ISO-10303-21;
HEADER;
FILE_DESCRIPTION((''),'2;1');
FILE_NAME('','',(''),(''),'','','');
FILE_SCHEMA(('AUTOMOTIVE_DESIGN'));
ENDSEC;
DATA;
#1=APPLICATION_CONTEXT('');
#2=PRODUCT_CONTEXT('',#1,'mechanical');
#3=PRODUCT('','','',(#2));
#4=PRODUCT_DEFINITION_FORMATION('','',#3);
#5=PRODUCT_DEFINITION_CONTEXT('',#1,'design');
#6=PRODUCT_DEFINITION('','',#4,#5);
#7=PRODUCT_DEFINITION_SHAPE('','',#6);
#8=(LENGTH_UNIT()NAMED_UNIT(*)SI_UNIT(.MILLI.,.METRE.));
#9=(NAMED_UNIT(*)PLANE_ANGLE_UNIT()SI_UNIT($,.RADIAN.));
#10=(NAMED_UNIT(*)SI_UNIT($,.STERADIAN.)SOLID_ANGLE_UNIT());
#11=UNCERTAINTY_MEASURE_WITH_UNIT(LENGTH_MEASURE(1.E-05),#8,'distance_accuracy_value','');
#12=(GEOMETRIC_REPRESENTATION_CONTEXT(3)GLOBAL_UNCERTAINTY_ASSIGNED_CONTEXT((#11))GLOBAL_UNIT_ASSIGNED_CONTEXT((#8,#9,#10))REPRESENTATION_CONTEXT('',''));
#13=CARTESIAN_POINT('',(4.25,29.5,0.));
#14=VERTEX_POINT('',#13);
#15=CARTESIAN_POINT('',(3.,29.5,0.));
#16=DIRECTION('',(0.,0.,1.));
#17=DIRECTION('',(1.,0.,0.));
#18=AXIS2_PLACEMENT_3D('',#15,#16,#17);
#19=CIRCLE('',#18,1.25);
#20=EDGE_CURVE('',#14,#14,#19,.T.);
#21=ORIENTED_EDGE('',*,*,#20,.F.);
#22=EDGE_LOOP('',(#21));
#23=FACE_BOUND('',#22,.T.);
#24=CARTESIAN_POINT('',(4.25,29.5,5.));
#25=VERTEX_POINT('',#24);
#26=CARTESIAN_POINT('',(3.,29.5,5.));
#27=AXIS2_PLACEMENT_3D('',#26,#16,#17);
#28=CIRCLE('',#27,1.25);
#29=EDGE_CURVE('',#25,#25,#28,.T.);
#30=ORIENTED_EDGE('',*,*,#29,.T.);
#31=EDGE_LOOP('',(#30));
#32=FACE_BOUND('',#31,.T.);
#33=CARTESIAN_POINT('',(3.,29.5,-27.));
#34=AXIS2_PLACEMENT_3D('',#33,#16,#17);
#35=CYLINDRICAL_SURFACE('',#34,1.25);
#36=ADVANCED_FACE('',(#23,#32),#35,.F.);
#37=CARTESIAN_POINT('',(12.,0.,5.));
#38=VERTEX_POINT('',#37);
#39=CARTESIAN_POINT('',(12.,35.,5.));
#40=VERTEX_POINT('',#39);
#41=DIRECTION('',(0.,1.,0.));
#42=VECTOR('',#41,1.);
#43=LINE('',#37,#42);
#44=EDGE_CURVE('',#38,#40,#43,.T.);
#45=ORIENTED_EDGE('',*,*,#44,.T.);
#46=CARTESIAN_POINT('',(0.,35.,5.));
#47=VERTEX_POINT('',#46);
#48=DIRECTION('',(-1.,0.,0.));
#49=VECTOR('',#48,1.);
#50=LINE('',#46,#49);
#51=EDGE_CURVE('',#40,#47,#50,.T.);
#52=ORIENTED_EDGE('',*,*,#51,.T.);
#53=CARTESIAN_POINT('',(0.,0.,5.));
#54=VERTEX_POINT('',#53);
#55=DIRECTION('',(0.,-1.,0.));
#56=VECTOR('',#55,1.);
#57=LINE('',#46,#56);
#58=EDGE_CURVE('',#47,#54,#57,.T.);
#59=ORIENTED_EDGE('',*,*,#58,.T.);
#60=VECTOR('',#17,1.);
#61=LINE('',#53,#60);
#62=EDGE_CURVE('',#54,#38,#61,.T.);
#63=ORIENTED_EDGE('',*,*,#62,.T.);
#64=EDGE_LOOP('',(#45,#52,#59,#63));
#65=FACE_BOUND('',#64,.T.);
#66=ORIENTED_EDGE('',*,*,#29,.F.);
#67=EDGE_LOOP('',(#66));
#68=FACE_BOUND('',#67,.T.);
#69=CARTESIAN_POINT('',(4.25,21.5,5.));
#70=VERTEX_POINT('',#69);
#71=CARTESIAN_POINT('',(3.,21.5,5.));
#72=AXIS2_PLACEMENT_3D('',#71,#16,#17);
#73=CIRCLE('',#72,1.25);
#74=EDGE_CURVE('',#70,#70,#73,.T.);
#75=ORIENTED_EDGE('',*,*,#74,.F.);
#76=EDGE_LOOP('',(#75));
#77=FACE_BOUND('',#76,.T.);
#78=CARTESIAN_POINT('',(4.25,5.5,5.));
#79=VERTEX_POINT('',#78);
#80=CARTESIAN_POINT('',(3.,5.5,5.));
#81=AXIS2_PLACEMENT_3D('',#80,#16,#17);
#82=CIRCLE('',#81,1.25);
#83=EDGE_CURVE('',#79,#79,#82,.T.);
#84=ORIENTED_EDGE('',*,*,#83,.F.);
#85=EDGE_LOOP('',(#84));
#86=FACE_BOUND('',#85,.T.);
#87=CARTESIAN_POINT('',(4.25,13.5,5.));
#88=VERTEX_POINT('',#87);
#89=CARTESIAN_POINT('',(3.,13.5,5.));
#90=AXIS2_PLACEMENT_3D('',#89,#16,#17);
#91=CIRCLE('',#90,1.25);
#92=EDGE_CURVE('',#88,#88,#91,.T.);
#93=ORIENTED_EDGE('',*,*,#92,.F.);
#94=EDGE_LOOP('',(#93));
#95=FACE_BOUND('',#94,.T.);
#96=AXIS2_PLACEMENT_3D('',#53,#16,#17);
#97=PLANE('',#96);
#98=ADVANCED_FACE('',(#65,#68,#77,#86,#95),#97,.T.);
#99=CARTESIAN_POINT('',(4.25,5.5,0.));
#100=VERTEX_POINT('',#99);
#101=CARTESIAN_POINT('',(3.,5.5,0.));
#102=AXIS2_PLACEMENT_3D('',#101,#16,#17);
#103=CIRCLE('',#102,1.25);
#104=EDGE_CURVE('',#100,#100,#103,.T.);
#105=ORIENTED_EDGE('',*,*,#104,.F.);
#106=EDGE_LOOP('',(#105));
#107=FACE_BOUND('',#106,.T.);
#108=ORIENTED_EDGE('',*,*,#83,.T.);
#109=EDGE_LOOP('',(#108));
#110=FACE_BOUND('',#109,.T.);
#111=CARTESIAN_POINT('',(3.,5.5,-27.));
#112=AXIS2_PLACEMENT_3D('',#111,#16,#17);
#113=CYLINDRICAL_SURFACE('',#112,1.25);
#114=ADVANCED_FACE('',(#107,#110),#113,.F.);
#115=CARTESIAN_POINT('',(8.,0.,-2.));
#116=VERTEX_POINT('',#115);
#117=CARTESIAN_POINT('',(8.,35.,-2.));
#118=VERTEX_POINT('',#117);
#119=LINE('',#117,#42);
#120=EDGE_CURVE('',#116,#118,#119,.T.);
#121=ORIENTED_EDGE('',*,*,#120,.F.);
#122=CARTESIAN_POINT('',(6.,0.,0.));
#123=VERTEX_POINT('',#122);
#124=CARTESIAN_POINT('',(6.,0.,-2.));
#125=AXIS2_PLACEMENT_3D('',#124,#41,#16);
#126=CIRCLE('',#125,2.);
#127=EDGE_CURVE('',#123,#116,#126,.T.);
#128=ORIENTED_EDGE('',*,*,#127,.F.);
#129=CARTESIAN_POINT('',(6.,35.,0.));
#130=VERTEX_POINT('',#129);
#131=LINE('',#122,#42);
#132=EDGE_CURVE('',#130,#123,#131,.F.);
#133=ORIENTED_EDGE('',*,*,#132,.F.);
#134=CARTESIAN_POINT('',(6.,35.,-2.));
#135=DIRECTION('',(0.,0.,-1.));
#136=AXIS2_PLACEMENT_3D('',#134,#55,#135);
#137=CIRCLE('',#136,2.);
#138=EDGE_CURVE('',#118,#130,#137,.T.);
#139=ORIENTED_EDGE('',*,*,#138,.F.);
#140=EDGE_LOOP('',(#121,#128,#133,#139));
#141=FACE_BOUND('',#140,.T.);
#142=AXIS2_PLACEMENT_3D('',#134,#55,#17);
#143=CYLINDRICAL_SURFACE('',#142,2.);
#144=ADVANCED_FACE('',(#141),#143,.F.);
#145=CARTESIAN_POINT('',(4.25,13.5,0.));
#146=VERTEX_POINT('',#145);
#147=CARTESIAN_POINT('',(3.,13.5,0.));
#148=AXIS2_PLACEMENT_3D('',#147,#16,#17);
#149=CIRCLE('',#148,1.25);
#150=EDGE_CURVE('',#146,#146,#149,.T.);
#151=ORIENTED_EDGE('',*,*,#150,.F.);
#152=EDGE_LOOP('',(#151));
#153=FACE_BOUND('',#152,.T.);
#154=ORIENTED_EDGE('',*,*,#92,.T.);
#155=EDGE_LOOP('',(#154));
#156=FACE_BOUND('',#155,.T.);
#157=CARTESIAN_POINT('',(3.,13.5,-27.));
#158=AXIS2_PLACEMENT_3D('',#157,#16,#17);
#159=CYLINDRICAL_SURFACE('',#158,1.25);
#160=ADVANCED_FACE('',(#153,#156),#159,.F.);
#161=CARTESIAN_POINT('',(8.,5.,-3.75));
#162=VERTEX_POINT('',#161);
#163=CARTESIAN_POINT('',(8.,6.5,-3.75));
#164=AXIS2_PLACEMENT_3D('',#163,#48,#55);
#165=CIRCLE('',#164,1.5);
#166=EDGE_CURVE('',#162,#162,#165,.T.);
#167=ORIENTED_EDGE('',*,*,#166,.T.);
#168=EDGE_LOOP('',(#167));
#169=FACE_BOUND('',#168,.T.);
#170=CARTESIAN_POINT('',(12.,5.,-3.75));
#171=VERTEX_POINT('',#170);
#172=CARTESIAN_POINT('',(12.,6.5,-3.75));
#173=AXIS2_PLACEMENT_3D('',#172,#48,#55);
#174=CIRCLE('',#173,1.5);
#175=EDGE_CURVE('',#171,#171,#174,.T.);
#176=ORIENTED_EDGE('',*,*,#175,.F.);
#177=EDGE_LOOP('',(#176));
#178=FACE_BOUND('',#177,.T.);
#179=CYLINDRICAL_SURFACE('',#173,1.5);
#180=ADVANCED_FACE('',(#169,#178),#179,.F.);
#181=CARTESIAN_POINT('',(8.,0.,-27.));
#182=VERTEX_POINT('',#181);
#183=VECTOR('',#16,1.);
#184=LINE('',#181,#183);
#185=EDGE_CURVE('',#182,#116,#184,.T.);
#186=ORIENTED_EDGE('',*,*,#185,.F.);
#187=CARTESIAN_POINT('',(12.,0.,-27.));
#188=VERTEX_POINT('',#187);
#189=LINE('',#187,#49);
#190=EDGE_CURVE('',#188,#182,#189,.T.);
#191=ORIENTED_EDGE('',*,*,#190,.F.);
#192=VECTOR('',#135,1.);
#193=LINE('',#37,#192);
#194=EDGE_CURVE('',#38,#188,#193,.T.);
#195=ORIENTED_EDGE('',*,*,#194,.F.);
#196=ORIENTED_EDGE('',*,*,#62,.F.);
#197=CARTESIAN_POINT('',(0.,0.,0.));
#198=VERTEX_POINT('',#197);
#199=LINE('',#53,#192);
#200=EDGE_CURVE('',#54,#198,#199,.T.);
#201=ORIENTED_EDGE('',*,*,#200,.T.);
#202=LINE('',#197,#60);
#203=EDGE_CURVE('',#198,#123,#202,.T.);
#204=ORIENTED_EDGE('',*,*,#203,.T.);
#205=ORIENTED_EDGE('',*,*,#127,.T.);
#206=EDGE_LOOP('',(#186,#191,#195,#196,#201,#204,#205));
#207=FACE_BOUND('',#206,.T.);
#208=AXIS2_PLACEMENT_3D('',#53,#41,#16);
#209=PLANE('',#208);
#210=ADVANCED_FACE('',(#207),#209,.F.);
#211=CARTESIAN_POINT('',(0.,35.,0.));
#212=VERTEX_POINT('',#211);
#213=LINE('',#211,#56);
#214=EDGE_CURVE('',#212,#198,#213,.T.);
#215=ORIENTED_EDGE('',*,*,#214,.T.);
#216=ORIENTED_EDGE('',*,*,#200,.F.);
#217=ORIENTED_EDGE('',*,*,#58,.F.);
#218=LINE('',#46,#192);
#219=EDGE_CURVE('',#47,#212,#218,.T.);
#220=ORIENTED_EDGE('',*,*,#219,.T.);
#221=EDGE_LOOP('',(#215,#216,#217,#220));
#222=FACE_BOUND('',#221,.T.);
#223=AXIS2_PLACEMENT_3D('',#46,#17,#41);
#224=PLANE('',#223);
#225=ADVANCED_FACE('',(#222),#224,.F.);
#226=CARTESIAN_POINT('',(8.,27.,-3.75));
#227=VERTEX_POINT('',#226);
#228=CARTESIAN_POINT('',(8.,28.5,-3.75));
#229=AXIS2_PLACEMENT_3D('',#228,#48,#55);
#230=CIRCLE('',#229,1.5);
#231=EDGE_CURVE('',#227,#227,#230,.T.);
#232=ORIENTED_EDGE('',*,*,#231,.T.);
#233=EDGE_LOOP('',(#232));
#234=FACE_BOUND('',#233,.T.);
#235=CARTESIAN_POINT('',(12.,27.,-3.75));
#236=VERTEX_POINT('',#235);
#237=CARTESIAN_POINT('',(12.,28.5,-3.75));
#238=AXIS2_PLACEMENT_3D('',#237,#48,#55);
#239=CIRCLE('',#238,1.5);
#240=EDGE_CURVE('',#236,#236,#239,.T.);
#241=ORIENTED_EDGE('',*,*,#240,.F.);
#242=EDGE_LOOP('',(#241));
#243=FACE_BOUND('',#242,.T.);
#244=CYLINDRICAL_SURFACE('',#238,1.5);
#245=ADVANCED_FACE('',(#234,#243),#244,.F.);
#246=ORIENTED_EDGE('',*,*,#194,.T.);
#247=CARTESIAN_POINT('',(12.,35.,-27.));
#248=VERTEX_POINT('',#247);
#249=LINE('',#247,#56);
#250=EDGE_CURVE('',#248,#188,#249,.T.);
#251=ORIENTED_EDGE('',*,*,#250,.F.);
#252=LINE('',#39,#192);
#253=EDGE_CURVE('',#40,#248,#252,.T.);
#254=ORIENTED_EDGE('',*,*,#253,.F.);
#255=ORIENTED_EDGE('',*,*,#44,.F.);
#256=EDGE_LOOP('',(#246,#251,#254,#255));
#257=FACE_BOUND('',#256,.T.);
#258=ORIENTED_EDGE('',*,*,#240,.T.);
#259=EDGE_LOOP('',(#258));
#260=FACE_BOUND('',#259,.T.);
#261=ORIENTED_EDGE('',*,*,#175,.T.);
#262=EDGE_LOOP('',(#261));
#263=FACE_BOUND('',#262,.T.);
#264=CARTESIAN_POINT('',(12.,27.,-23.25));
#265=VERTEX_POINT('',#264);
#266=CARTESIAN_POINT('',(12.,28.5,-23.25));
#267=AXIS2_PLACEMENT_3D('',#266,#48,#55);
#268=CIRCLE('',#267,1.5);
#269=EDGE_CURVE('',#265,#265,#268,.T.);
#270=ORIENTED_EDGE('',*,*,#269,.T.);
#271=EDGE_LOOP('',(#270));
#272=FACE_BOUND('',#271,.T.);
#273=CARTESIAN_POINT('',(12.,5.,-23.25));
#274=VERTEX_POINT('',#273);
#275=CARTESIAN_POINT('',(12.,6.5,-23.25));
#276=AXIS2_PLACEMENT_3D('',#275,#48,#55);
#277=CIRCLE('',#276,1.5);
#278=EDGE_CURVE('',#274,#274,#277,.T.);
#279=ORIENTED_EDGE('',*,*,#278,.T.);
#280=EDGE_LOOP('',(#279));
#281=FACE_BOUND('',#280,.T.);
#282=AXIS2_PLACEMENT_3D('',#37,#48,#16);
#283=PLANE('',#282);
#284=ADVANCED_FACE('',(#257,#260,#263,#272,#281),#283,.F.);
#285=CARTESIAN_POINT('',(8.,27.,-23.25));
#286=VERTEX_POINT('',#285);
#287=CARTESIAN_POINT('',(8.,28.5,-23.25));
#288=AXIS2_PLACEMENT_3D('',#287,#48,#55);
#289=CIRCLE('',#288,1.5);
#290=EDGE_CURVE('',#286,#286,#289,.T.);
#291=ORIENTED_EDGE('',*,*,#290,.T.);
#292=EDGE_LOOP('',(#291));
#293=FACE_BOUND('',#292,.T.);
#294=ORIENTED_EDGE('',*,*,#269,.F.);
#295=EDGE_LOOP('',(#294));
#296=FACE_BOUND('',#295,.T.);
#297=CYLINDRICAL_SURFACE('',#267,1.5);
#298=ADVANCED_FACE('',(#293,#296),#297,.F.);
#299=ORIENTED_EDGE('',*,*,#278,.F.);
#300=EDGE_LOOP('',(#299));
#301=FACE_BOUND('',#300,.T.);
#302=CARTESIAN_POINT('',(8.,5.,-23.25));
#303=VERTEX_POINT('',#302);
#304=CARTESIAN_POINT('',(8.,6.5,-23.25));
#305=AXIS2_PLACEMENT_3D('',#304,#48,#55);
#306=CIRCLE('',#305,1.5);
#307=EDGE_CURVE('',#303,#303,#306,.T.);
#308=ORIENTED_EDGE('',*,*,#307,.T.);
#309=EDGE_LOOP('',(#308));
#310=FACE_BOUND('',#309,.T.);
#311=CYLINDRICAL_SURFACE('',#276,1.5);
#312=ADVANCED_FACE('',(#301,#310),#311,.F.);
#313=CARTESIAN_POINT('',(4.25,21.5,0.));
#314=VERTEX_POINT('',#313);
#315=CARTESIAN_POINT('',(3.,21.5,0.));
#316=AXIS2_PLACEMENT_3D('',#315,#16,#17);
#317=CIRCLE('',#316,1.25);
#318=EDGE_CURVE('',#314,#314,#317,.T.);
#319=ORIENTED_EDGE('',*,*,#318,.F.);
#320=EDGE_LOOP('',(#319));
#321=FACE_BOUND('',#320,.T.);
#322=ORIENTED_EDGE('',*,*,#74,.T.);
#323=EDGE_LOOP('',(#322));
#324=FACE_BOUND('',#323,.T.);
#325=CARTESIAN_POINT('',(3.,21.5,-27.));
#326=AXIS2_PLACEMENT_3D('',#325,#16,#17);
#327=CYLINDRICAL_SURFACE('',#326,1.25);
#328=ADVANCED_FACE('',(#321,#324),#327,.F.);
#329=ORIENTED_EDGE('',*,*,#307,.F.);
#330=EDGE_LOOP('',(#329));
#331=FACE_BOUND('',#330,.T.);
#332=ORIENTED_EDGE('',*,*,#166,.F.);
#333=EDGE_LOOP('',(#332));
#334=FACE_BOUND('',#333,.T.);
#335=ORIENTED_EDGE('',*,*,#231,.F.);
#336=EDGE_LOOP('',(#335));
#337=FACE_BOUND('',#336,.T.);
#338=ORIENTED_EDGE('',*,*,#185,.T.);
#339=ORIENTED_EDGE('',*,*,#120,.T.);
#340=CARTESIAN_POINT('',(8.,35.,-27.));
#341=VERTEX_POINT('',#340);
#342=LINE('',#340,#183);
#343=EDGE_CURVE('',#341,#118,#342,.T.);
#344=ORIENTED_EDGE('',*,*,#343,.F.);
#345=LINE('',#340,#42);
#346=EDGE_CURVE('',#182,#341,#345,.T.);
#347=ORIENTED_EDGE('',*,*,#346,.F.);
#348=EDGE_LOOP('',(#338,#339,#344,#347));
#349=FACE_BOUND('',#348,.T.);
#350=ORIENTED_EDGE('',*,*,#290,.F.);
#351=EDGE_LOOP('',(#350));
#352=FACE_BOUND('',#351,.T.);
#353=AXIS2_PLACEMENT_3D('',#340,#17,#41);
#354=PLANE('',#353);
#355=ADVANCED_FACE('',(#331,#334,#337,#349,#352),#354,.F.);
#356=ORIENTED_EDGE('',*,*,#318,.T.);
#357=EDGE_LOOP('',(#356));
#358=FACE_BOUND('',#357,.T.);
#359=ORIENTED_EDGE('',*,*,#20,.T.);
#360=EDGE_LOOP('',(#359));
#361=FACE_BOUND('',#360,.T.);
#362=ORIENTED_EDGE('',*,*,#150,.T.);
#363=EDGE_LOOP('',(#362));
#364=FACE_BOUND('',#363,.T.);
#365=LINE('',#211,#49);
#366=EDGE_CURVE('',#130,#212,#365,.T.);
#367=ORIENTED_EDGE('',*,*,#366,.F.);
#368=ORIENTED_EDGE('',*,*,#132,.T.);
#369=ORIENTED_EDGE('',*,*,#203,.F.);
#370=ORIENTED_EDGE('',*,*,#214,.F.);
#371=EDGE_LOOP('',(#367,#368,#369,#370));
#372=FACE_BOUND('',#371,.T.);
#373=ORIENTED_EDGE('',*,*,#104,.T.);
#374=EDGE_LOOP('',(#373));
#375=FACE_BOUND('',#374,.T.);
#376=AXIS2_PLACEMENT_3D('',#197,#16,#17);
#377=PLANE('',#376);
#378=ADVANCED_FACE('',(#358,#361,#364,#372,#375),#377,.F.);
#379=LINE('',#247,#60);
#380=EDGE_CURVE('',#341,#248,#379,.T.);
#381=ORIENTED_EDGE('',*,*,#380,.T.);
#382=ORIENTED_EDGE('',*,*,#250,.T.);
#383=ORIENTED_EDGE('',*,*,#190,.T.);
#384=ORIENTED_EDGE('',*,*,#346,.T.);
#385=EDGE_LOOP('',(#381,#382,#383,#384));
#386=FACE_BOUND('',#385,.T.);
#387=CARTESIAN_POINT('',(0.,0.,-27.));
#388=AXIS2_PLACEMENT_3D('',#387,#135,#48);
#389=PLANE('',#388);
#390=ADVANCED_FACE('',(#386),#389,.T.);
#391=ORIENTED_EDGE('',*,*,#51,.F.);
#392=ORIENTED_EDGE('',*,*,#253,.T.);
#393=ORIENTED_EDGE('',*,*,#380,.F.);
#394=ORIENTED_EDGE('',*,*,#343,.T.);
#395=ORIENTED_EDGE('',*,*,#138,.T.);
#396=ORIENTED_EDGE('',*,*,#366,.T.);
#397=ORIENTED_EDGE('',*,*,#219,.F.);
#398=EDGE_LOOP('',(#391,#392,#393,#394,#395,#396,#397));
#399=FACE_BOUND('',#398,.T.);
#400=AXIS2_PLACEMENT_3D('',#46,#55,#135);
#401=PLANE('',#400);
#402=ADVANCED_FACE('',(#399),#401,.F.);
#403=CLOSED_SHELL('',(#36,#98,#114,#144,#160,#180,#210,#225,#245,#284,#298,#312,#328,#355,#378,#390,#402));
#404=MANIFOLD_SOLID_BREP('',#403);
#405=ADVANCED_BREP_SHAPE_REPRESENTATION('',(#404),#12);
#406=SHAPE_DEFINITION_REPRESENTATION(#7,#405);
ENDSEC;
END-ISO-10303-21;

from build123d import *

# Parameters (mm, degrees)
ESQUISSE1_W             = 12
ESQUISSE1_H             = 35
BOSS_EXTRU_1_DEPTH      = 5
ESQUISSE2_W             = 4
ESQUISSE2_H             = 35
BOSS_EXTRU_2_DEPTH      = 27
ESQUISSE3_R             = 1.25
ENL_V_MAT_EXTRU_1_DEPTH = 33
ESQUISSE4_R             = 1.5
ENL_V_MAT_EXTRU_2_DEPTH = 5
CONG_1_R                = 2


with BuildPart() as part:
    # Esquisse1 → Boss.-Extru.1 (new body)
    with BuildSketch(Plane.XY):
        with Locations((6, 17.5)):
            Rectangle(ESQUISSE1_W, ESQUISSE1_H)
    extrude(amount=BOSS_EXTRU_1_DEPTH)

    # Esquisse2 → Boss.-Extru.2 (add)
    with BuildSketch(Plane(origin=(0, 0, 0), x_dir=(-1, 0, 0), z_dir=(0, 0, -1))):
        with Locations((-10, 17.5)):
            Rectangle(ESQUISSE2_W, ESQUISSE2_H)
    extrude(amount=BOSS_EXTRU_2_DEPTH)

    # Esquisse3 → Enlèv. mat.-Extru.1 (cut, through all)
    with BuildSketch(Plane.XY.offset(5)):
        with Locations((3, 5.5)):
            Circle(ESQUISSE3_R)
        with Locations((3, 13.5)):
            Circle(ESQUISSE3_R)
        with Locations((3, 21.5)):
            Circle(ESQUISSE3_R)
        with Locations((3, 29.5)):
            Circle(ESQUISSE3_R)
    extrude(amount=-ENL_V_MAT_EXTRU_1_DEPTH, mode=Mode.SUBTRACT)

    # Esquisse4 → Enlèv. mat.-Extru.2 (cut, through all)
    with BuildSketch(Plane.ZY.offset(-8)):
        with Locations((-23.25, 28.5)):
            Circle(ESQUISSE4_R)
        with Locations((-3.75, 28.5)):
            Circle(ESQUISSE4_R)
        with Locations((-23.25, 6.5)):
            Circle(ESQUISSE4_R)
        with Locations((-3.75, 6.5)):
            Circle(ESQUISSE4_R)
    extrude(amount=-ENL_V_MAT_EXTRU_2_DEPTH, mode=Mode.SUBTRACT)

    # Congé1
    cong_1_edges = [part.edges().sort_by_distance(p)[0] for p in [
        (8, 17.5, 0),
    ]]
    fillet(cong_1_edges, radius=CONG_1_R)


solid = part.part
